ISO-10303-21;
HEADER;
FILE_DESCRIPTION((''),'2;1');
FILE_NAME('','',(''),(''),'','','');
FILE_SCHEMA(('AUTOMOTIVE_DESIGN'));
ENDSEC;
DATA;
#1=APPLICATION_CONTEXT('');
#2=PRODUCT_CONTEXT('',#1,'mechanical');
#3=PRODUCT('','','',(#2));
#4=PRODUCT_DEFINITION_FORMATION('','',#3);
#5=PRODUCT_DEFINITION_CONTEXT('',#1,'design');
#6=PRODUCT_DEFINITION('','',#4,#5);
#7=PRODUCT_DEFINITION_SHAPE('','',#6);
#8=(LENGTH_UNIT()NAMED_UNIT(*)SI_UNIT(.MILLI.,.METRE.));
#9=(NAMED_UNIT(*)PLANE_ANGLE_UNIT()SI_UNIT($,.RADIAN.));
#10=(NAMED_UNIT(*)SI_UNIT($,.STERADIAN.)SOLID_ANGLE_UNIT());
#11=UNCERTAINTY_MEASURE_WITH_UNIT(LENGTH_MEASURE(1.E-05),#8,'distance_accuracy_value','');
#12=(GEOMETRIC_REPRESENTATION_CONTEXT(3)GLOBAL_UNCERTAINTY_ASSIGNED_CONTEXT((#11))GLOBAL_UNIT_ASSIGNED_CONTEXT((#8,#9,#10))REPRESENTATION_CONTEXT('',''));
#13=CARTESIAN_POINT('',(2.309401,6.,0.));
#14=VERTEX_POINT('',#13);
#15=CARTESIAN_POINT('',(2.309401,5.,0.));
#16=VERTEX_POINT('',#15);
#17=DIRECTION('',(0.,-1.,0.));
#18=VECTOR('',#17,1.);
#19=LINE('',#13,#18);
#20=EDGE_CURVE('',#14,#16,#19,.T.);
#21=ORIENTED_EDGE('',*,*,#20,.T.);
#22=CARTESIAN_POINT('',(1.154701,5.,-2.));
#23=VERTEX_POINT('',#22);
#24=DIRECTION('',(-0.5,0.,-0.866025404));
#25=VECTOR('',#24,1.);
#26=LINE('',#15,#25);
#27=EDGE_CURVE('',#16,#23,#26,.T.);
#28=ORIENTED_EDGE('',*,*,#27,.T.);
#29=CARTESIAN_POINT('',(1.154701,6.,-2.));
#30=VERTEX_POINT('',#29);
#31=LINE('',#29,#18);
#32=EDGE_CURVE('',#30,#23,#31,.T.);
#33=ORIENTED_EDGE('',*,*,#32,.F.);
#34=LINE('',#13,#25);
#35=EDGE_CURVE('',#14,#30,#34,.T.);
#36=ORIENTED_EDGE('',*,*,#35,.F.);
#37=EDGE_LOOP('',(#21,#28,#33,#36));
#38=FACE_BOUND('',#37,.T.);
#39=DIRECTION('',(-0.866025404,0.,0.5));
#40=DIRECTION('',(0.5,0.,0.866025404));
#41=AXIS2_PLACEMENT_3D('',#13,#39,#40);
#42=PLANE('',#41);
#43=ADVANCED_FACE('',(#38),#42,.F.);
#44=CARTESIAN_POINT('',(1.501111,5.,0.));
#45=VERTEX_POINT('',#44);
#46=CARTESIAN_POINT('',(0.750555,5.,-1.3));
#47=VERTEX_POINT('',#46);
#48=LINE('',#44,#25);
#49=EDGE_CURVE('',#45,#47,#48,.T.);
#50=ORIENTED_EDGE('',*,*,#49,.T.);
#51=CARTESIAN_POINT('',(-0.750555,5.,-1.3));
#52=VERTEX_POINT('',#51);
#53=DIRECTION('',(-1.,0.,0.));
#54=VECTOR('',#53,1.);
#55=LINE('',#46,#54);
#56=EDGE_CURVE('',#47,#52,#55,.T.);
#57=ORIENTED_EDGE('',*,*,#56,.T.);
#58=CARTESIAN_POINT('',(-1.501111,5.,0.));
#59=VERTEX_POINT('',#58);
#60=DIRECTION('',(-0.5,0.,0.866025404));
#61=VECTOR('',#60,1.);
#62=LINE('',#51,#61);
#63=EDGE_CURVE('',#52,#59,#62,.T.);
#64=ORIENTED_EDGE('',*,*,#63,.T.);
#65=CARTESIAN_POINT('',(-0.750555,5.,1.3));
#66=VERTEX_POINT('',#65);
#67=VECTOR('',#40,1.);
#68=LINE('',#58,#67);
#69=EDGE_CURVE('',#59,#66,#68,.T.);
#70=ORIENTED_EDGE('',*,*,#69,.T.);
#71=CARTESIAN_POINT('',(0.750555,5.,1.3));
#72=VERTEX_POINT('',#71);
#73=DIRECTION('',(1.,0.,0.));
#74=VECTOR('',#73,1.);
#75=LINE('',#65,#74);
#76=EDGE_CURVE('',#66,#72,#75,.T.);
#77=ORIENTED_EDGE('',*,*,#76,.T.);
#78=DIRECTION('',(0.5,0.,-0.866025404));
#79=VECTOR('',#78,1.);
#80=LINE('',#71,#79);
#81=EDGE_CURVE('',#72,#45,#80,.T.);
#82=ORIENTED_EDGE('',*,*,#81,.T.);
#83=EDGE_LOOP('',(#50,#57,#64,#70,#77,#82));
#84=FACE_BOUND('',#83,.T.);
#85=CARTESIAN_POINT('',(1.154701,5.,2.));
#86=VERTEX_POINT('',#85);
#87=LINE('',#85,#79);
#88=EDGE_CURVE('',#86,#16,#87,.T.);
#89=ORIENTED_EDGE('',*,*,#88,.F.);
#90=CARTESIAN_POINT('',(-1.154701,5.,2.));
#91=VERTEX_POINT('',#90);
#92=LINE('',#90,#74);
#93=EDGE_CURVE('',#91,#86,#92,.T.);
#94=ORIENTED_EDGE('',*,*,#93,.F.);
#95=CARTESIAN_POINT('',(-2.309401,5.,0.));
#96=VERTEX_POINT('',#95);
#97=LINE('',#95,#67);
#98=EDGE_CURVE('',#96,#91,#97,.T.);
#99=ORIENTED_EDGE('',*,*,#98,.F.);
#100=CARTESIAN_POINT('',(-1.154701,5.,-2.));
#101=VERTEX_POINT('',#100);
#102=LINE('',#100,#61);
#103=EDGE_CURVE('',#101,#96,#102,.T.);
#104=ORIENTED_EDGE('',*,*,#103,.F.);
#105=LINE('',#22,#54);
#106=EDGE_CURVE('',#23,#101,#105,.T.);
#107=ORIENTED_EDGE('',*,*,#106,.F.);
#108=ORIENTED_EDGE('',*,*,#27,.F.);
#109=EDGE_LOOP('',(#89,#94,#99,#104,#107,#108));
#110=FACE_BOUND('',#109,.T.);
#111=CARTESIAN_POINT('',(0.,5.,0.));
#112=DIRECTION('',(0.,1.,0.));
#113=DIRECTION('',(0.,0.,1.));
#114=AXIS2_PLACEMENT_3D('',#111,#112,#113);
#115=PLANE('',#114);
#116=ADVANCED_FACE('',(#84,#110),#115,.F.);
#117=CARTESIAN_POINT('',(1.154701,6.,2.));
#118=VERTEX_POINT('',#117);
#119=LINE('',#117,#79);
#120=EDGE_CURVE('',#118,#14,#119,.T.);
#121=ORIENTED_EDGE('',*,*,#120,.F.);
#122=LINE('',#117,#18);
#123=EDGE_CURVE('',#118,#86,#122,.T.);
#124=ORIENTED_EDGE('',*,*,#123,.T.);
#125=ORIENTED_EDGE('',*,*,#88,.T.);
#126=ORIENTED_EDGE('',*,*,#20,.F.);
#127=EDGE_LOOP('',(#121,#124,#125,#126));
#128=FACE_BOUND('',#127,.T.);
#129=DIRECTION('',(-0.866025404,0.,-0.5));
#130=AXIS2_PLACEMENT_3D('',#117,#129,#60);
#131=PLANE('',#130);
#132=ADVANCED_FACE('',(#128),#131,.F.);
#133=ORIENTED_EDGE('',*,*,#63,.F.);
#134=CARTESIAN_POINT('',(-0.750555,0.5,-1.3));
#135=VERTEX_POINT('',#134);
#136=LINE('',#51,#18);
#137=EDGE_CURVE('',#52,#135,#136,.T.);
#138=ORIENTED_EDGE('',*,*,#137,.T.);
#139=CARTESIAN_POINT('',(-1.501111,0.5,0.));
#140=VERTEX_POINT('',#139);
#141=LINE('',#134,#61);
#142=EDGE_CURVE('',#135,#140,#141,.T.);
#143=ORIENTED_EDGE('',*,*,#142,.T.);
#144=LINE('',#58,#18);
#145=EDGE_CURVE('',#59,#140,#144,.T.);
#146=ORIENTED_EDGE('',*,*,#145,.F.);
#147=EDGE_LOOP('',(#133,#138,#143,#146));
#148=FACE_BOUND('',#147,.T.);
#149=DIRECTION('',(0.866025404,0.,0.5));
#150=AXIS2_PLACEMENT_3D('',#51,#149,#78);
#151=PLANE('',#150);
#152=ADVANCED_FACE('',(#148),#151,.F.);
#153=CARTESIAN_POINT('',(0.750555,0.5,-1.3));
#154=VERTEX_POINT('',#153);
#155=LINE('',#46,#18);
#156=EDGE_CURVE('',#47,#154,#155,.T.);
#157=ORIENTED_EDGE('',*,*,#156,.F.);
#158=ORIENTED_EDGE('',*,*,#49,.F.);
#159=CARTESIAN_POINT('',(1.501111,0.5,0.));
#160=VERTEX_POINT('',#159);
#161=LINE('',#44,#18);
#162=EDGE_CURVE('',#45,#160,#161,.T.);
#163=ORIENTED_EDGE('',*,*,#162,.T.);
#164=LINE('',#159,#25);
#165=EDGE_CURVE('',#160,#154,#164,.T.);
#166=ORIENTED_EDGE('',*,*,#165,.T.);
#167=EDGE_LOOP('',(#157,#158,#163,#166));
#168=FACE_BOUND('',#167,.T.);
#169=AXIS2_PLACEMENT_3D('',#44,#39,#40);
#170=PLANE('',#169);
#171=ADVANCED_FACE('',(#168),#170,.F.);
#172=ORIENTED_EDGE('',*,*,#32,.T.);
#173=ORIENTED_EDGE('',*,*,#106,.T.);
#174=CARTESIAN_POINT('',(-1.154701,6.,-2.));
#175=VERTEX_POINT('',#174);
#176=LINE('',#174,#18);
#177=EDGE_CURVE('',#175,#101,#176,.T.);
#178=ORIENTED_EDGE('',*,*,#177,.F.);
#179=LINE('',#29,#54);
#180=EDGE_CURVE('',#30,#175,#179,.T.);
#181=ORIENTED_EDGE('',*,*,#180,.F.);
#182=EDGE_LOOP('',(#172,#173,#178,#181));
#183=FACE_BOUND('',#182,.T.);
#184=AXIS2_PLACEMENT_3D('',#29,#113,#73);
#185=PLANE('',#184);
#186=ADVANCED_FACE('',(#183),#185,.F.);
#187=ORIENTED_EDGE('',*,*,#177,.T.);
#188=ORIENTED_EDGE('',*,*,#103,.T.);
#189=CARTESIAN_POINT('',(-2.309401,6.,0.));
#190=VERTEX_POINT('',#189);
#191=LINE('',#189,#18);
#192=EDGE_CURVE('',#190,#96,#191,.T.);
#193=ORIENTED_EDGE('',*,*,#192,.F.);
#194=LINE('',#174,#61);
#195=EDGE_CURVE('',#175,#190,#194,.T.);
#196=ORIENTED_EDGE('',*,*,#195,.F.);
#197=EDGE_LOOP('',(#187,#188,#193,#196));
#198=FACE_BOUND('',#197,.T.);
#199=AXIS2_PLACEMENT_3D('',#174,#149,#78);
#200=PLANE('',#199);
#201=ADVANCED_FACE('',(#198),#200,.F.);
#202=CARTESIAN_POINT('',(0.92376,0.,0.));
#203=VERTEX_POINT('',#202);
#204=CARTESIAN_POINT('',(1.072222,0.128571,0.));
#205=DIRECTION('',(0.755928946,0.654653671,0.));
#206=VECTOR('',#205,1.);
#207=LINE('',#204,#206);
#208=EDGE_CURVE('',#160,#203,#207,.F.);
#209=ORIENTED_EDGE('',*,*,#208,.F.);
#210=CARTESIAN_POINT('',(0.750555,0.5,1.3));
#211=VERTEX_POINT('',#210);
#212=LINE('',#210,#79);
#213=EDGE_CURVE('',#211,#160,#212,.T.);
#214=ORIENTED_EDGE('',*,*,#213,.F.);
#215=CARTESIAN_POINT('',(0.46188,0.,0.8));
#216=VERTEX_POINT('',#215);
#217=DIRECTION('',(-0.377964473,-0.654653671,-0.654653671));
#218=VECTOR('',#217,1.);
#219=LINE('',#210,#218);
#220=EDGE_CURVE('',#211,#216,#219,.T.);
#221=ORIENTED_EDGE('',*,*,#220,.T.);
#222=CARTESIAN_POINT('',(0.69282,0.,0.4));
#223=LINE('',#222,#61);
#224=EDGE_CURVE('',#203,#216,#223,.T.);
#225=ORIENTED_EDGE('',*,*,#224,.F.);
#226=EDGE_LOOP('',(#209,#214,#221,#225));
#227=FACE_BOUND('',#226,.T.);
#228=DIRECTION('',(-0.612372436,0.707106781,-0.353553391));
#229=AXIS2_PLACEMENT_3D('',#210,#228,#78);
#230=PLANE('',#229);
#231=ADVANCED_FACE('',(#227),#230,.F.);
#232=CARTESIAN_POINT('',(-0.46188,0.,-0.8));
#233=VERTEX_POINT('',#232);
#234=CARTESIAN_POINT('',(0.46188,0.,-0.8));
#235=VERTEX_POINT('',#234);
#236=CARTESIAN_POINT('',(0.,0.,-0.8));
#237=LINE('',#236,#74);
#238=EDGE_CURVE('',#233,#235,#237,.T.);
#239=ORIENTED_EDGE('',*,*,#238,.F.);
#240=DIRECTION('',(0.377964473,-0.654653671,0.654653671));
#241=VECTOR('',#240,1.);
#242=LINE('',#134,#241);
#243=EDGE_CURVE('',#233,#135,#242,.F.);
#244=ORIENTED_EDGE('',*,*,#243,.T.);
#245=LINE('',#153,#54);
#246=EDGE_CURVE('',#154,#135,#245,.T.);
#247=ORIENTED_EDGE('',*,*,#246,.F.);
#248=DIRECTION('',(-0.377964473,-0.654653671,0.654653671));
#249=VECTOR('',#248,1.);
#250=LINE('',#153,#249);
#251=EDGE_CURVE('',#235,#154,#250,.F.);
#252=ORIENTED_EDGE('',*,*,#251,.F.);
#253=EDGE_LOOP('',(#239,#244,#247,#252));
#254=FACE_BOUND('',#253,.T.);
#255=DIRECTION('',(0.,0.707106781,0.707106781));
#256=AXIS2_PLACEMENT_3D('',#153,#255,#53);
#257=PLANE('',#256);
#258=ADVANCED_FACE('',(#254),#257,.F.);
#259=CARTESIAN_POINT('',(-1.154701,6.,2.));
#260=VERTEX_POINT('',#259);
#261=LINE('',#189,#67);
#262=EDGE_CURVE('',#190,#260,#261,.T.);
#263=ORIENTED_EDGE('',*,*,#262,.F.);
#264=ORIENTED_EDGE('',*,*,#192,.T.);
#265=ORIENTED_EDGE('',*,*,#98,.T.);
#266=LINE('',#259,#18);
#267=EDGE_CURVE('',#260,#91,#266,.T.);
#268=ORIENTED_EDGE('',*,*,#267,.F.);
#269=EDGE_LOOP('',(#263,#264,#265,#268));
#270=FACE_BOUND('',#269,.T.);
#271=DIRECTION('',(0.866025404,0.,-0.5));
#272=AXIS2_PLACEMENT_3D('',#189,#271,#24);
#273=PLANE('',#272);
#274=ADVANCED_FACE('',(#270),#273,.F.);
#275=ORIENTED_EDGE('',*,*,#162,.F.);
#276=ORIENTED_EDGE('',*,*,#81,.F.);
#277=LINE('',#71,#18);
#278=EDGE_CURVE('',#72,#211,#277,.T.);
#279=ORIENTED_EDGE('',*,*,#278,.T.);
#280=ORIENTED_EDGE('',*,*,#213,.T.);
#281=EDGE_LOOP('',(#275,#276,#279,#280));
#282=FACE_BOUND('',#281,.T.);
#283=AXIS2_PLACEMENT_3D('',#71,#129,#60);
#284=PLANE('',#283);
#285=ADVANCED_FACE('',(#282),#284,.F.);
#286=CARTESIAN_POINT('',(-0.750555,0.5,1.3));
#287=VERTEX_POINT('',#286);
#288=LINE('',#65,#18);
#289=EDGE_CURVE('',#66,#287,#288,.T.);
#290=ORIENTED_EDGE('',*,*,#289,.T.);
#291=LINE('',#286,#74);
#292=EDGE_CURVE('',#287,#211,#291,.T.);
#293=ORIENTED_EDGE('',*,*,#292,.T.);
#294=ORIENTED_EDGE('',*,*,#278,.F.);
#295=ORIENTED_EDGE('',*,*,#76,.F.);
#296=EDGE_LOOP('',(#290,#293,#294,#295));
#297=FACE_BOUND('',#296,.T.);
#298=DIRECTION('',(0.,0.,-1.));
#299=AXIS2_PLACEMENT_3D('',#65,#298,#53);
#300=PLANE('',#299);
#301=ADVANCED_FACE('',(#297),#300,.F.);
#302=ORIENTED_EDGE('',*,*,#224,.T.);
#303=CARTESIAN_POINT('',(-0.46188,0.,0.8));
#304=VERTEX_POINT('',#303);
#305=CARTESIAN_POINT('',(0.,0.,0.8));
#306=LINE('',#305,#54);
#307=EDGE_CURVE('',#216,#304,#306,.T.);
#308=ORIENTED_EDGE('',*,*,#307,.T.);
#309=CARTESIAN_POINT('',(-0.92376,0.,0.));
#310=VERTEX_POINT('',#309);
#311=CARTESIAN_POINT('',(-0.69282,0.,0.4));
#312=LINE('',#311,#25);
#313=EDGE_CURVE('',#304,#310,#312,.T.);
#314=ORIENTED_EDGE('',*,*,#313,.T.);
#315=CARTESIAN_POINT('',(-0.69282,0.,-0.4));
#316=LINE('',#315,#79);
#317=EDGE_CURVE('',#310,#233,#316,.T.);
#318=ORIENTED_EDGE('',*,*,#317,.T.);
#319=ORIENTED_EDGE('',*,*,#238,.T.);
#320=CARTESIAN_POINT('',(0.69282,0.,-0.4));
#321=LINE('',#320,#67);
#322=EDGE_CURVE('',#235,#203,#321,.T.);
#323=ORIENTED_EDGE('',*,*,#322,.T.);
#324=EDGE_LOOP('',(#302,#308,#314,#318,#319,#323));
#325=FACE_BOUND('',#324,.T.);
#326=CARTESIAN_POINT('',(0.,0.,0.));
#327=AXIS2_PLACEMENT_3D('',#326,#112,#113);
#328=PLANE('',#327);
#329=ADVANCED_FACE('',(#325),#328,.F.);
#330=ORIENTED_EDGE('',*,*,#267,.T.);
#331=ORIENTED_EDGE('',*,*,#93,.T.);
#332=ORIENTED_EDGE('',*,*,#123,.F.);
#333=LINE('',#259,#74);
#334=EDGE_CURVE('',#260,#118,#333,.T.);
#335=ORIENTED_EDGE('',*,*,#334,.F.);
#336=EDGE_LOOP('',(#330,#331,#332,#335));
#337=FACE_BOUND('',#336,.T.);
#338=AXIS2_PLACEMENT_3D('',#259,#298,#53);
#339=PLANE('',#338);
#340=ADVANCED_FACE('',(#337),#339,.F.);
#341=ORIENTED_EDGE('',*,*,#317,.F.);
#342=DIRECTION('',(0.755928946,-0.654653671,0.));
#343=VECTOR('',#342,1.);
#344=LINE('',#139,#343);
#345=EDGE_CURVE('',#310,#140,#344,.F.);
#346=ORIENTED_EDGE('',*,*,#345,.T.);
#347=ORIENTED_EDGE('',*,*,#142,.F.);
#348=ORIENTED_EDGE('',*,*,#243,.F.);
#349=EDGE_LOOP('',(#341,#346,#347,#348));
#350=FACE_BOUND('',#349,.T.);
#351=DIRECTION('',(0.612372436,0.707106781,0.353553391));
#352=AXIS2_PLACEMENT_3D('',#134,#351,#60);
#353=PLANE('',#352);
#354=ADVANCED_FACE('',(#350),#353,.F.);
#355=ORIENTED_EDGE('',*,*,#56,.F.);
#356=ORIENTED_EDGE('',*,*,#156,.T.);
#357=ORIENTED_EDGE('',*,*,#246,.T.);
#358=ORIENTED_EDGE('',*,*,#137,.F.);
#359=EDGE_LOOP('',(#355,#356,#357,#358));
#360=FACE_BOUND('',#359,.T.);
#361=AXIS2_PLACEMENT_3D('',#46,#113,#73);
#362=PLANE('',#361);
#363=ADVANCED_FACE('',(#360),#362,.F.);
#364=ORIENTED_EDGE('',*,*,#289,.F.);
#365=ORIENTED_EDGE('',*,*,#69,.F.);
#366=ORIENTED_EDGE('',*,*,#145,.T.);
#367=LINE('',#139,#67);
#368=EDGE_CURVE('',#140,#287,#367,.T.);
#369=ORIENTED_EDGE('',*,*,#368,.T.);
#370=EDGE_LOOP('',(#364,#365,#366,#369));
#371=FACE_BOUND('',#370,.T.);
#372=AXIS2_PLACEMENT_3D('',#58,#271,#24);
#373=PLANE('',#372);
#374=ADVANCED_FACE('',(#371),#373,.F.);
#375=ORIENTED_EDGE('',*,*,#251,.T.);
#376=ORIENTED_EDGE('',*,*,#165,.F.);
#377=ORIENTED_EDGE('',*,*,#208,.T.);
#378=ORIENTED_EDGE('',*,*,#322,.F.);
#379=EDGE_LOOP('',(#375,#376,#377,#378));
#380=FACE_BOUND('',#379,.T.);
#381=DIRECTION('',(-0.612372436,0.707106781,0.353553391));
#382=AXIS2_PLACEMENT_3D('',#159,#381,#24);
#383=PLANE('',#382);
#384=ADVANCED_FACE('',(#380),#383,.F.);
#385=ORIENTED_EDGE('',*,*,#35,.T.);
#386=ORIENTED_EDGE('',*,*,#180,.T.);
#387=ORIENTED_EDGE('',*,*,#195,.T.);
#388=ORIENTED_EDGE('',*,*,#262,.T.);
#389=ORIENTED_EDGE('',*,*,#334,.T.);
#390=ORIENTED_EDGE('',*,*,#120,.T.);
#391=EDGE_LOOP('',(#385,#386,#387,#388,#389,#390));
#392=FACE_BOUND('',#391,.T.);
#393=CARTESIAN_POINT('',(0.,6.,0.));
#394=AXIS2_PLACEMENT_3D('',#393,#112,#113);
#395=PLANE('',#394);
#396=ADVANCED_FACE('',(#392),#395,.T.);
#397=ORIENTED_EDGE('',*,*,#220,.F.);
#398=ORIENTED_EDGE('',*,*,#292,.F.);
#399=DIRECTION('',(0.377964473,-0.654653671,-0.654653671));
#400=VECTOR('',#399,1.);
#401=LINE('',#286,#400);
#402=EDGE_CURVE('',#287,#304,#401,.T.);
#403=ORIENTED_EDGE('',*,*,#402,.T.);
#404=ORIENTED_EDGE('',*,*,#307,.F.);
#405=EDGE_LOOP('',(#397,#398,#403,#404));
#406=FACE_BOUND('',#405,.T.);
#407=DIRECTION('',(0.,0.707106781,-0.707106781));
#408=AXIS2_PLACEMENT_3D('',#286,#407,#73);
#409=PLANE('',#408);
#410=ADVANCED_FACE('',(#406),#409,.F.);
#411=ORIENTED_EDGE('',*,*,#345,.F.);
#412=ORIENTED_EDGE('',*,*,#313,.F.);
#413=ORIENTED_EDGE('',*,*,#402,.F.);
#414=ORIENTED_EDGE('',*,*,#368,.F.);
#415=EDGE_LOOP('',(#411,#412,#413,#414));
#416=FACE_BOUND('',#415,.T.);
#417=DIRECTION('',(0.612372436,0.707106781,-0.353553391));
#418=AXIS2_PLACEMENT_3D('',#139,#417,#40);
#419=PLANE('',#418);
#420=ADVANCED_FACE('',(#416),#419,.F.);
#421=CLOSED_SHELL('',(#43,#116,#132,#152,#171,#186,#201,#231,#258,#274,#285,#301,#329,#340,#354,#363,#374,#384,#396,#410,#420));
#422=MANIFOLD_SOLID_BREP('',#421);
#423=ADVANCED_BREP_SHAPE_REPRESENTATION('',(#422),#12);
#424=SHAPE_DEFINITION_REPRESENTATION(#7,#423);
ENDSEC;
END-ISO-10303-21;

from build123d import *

# Parameters (mm, degrees)
BOSS_EXTRUDE1_DEPTH = 5
BOSS_EXTRUDE2_DEPTH = 1
CHAMFER1_SIZE       = 0.5


with BuildPart() as part:
    # Sketch1 → Boss-Extrude1 (new body)
    with BuildSketch(Plane(origin=(0, 0, 0), x_dir=(1, 0, 0), z_dir=(0, 1, 0))):
        Polygon((1.5011107, 0), (0.75055535, 1.3), (-0.75055535, 1.3), (-1.5011107, 0), (-0.75055535, -1.3), (0.75055535, -1.3), align=None)
    extrude(amount=BOSS_EXTRUDE1_DEPTH)

    # Sketch2 → Boss-Extrude2 (add)
    with BuildSketch(Plane(origin=(0, 5, 0), x_dir=(1, 0, 0), z_dir=(0, 1, 0))):
        Polygon((2.309401077, 0), (1.154700538, 2), (-1.154700538, 2), (-2.309401077, 0), (-1.154700538, -2), (1.154700538, -2), align=None)
    extrude(amount=BOSS_EXTRUDE2_DEPTH)

    # Chamfer1
    chamfer1_edges = [part.edges().sort_by_distance(p)[0] for p in [
        (0, 0, 1.3),
        (-1.125833025, 0, 0.65),
        (-1.125833025, 0, -0.65),
        (0, 0, -1.3),
        (1.125833025, 0, -0.65),
        (1.125833025, 0, 0.65),
    ]]
    chamfer(chamfer1_edges, length=CHAMFER1_SIZE)


solid = part.part
